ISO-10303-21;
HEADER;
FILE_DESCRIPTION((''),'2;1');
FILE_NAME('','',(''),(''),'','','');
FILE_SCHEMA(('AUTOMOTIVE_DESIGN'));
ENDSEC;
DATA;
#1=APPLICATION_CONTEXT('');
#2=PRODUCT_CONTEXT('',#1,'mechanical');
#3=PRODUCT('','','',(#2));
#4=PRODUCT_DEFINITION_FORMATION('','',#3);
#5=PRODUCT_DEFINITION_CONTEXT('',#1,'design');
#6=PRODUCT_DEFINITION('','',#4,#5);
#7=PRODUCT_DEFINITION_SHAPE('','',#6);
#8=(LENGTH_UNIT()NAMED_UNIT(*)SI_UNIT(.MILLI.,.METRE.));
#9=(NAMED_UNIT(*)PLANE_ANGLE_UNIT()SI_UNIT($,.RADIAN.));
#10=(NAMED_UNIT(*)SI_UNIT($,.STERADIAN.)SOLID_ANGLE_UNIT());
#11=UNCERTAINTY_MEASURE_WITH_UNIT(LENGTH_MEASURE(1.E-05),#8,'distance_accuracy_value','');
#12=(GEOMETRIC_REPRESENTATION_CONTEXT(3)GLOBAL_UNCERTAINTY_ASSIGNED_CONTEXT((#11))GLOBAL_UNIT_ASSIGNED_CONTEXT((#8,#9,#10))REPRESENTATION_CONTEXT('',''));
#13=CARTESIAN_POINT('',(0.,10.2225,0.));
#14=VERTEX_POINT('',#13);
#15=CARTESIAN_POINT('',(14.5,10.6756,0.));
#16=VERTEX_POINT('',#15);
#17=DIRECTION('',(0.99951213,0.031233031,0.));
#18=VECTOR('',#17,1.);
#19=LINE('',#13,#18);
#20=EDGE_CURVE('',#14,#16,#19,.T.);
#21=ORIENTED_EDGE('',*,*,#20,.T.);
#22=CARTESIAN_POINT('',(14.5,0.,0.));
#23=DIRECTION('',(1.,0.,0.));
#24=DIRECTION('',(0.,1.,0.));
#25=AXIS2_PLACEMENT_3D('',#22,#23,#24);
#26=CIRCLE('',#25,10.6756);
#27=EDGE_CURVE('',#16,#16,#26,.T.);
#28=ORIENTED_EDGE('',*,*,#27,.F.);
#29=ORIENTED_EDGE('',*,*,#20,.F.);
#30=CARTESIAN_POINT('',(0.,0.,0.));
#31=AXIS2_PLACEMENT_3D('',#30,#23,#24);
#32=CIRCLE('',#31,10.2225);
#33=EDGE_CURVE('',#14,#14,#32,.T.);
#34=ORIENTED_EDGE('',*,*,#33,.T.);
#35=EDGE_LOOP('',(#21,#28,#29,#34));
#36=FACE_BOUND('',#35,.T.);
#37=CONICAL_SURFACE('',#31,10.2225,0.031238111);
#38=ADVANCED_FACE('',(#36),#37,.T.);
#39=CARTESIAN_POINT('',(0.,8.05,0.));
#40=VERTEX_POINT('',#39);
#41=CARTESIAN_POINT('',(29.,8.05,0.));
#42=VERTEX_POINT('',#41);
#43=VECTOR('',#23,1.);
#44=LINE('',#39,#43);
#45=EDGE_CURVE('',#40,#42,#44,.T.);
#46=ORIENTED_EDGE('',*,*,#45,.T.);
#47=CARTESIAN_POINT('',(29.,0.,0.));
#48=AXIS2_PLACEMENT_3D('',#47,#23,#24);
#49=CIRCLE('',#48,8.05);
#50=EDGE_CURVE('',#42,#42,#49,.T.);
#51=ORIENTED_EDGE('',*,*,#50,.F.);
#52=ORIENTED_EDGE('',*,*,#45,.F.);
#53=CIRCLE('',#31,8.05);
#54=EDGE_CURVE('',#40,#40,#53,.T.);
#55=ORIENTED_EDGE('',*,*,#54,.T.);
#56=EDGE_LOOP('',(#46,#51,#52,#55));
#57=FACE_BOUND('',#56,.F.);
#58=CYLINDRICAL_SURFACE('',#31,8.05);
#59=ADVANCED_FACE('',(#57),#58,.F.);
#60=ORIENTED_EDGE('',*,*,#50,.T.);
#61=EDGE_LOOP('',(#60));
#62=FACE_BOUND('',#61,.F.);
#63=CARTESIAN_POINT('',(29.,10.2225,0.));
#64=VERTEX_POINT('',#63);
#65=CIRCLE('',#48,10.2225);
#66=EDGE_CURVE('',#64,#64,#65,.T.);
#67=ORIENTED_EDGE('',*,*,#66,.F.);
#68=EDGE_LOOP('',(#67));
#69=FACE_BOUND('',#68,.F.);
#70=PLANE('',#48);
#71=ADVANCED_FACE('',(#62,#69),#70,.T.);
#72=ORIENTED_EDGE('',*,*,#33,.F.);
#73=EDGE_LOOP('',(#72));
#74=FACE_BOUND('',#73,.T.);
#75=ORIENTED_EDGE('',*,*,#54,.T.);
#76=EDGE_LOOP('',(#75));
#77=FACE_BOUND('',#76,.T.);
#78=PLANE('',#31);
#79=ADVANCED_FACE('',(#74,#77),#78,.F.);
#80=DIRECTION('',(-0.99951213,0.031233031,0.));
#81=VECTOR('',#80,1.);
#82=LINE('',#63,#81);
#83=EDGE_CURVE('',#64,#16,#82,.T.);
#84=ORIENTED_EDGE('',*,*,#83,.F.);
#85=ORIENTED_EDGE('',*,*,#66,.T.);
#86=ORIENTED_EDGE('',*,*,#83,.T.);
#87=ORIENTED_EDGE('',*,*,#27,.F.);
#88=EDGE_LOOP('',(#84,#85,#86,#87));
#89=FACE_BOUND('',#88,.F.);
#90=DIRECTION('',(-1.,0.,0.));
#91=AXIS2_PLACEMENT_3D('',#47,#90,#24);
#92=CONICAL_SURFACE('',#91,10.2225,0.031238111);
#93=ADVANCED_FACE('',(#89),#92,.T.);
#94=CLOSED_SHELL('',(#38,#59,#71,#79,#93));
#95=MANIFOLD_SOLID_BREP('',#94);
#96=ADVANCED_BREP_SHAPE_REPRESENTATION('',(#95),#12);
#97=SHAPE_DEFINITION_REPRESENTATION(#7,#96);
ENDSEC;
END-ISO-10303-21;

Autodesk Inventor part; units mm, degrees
ref_plane "YZ Plane" through (0, 0, 0) normal (1, 0, 0) x (0, 1, 0)
ref_plane "XZ Plane" through (0, 0, 0) normal (0, 1, 0) x (-1, 0, 0)
ref_plane "XY Plane" through (0, 0, 0) normal (0, 0, 1) x (1, 0, 0)
sketch "Sketch1" plane through (0, 0, 0) normal (0, 0, 1) x (1, 0, 0)
  line L0 (0, 0) -> (29, 0)
  line L1 (29, 8.05) -> (29, 10.2225)
  line L2 (29, 8.05) -> (29, 0) construction
  line L3 (0, 8.05) -> (0, 10.2225)
  line L4 (0, 8.05) -> (0, 0) construction
  line L5 (0, -2.1351) -> (0, 12.8108) projected
  line L6 (-5.8, 0) -> (34.8, 0) projected
  line L7 (0, 8.05) -> (29, 8.05)
  line L8 (0, 10.2225) -> (14.5, 10.6756)
  line L9 (14.5, 10.6756) -> (14.5, 0) construction
  line L10 (8.16, 10.4775) -> (8.16, 0) construction
  line L11 (29, 10.2225) -> (14.5, 10.6756)
  dimension "d0" = 16.1
  dimension "d1" = 1.79
  dimension "d2" = 29
  dimension "d7" = 8.16
  dimension "d8" = 20.955
revolve "Revolution1" add sketch "Sketch1" angle 360 about axis through (0, 0, 0) along (1, 0, 0)
thread "Thread1" size "R 1/2" standard "JIS Taper" full length
thread "Thread2" size "R 1/2" standard "JIS Taper" full length
equation "\"d0\" = d"
equation "\"d2\" = L"
equation "\"d7\" = a"
equation "\"d8\" = MjD"
equation "\"MjD\" = 20.955"
equation "\"d\" = 16.1"
equation "\"a\" = 8.16"
equation "\"Size_Designation\" = 0.5"
properties part number "JIS B 2302 Close Nipple 1/2" material "Steel, Carbon"
